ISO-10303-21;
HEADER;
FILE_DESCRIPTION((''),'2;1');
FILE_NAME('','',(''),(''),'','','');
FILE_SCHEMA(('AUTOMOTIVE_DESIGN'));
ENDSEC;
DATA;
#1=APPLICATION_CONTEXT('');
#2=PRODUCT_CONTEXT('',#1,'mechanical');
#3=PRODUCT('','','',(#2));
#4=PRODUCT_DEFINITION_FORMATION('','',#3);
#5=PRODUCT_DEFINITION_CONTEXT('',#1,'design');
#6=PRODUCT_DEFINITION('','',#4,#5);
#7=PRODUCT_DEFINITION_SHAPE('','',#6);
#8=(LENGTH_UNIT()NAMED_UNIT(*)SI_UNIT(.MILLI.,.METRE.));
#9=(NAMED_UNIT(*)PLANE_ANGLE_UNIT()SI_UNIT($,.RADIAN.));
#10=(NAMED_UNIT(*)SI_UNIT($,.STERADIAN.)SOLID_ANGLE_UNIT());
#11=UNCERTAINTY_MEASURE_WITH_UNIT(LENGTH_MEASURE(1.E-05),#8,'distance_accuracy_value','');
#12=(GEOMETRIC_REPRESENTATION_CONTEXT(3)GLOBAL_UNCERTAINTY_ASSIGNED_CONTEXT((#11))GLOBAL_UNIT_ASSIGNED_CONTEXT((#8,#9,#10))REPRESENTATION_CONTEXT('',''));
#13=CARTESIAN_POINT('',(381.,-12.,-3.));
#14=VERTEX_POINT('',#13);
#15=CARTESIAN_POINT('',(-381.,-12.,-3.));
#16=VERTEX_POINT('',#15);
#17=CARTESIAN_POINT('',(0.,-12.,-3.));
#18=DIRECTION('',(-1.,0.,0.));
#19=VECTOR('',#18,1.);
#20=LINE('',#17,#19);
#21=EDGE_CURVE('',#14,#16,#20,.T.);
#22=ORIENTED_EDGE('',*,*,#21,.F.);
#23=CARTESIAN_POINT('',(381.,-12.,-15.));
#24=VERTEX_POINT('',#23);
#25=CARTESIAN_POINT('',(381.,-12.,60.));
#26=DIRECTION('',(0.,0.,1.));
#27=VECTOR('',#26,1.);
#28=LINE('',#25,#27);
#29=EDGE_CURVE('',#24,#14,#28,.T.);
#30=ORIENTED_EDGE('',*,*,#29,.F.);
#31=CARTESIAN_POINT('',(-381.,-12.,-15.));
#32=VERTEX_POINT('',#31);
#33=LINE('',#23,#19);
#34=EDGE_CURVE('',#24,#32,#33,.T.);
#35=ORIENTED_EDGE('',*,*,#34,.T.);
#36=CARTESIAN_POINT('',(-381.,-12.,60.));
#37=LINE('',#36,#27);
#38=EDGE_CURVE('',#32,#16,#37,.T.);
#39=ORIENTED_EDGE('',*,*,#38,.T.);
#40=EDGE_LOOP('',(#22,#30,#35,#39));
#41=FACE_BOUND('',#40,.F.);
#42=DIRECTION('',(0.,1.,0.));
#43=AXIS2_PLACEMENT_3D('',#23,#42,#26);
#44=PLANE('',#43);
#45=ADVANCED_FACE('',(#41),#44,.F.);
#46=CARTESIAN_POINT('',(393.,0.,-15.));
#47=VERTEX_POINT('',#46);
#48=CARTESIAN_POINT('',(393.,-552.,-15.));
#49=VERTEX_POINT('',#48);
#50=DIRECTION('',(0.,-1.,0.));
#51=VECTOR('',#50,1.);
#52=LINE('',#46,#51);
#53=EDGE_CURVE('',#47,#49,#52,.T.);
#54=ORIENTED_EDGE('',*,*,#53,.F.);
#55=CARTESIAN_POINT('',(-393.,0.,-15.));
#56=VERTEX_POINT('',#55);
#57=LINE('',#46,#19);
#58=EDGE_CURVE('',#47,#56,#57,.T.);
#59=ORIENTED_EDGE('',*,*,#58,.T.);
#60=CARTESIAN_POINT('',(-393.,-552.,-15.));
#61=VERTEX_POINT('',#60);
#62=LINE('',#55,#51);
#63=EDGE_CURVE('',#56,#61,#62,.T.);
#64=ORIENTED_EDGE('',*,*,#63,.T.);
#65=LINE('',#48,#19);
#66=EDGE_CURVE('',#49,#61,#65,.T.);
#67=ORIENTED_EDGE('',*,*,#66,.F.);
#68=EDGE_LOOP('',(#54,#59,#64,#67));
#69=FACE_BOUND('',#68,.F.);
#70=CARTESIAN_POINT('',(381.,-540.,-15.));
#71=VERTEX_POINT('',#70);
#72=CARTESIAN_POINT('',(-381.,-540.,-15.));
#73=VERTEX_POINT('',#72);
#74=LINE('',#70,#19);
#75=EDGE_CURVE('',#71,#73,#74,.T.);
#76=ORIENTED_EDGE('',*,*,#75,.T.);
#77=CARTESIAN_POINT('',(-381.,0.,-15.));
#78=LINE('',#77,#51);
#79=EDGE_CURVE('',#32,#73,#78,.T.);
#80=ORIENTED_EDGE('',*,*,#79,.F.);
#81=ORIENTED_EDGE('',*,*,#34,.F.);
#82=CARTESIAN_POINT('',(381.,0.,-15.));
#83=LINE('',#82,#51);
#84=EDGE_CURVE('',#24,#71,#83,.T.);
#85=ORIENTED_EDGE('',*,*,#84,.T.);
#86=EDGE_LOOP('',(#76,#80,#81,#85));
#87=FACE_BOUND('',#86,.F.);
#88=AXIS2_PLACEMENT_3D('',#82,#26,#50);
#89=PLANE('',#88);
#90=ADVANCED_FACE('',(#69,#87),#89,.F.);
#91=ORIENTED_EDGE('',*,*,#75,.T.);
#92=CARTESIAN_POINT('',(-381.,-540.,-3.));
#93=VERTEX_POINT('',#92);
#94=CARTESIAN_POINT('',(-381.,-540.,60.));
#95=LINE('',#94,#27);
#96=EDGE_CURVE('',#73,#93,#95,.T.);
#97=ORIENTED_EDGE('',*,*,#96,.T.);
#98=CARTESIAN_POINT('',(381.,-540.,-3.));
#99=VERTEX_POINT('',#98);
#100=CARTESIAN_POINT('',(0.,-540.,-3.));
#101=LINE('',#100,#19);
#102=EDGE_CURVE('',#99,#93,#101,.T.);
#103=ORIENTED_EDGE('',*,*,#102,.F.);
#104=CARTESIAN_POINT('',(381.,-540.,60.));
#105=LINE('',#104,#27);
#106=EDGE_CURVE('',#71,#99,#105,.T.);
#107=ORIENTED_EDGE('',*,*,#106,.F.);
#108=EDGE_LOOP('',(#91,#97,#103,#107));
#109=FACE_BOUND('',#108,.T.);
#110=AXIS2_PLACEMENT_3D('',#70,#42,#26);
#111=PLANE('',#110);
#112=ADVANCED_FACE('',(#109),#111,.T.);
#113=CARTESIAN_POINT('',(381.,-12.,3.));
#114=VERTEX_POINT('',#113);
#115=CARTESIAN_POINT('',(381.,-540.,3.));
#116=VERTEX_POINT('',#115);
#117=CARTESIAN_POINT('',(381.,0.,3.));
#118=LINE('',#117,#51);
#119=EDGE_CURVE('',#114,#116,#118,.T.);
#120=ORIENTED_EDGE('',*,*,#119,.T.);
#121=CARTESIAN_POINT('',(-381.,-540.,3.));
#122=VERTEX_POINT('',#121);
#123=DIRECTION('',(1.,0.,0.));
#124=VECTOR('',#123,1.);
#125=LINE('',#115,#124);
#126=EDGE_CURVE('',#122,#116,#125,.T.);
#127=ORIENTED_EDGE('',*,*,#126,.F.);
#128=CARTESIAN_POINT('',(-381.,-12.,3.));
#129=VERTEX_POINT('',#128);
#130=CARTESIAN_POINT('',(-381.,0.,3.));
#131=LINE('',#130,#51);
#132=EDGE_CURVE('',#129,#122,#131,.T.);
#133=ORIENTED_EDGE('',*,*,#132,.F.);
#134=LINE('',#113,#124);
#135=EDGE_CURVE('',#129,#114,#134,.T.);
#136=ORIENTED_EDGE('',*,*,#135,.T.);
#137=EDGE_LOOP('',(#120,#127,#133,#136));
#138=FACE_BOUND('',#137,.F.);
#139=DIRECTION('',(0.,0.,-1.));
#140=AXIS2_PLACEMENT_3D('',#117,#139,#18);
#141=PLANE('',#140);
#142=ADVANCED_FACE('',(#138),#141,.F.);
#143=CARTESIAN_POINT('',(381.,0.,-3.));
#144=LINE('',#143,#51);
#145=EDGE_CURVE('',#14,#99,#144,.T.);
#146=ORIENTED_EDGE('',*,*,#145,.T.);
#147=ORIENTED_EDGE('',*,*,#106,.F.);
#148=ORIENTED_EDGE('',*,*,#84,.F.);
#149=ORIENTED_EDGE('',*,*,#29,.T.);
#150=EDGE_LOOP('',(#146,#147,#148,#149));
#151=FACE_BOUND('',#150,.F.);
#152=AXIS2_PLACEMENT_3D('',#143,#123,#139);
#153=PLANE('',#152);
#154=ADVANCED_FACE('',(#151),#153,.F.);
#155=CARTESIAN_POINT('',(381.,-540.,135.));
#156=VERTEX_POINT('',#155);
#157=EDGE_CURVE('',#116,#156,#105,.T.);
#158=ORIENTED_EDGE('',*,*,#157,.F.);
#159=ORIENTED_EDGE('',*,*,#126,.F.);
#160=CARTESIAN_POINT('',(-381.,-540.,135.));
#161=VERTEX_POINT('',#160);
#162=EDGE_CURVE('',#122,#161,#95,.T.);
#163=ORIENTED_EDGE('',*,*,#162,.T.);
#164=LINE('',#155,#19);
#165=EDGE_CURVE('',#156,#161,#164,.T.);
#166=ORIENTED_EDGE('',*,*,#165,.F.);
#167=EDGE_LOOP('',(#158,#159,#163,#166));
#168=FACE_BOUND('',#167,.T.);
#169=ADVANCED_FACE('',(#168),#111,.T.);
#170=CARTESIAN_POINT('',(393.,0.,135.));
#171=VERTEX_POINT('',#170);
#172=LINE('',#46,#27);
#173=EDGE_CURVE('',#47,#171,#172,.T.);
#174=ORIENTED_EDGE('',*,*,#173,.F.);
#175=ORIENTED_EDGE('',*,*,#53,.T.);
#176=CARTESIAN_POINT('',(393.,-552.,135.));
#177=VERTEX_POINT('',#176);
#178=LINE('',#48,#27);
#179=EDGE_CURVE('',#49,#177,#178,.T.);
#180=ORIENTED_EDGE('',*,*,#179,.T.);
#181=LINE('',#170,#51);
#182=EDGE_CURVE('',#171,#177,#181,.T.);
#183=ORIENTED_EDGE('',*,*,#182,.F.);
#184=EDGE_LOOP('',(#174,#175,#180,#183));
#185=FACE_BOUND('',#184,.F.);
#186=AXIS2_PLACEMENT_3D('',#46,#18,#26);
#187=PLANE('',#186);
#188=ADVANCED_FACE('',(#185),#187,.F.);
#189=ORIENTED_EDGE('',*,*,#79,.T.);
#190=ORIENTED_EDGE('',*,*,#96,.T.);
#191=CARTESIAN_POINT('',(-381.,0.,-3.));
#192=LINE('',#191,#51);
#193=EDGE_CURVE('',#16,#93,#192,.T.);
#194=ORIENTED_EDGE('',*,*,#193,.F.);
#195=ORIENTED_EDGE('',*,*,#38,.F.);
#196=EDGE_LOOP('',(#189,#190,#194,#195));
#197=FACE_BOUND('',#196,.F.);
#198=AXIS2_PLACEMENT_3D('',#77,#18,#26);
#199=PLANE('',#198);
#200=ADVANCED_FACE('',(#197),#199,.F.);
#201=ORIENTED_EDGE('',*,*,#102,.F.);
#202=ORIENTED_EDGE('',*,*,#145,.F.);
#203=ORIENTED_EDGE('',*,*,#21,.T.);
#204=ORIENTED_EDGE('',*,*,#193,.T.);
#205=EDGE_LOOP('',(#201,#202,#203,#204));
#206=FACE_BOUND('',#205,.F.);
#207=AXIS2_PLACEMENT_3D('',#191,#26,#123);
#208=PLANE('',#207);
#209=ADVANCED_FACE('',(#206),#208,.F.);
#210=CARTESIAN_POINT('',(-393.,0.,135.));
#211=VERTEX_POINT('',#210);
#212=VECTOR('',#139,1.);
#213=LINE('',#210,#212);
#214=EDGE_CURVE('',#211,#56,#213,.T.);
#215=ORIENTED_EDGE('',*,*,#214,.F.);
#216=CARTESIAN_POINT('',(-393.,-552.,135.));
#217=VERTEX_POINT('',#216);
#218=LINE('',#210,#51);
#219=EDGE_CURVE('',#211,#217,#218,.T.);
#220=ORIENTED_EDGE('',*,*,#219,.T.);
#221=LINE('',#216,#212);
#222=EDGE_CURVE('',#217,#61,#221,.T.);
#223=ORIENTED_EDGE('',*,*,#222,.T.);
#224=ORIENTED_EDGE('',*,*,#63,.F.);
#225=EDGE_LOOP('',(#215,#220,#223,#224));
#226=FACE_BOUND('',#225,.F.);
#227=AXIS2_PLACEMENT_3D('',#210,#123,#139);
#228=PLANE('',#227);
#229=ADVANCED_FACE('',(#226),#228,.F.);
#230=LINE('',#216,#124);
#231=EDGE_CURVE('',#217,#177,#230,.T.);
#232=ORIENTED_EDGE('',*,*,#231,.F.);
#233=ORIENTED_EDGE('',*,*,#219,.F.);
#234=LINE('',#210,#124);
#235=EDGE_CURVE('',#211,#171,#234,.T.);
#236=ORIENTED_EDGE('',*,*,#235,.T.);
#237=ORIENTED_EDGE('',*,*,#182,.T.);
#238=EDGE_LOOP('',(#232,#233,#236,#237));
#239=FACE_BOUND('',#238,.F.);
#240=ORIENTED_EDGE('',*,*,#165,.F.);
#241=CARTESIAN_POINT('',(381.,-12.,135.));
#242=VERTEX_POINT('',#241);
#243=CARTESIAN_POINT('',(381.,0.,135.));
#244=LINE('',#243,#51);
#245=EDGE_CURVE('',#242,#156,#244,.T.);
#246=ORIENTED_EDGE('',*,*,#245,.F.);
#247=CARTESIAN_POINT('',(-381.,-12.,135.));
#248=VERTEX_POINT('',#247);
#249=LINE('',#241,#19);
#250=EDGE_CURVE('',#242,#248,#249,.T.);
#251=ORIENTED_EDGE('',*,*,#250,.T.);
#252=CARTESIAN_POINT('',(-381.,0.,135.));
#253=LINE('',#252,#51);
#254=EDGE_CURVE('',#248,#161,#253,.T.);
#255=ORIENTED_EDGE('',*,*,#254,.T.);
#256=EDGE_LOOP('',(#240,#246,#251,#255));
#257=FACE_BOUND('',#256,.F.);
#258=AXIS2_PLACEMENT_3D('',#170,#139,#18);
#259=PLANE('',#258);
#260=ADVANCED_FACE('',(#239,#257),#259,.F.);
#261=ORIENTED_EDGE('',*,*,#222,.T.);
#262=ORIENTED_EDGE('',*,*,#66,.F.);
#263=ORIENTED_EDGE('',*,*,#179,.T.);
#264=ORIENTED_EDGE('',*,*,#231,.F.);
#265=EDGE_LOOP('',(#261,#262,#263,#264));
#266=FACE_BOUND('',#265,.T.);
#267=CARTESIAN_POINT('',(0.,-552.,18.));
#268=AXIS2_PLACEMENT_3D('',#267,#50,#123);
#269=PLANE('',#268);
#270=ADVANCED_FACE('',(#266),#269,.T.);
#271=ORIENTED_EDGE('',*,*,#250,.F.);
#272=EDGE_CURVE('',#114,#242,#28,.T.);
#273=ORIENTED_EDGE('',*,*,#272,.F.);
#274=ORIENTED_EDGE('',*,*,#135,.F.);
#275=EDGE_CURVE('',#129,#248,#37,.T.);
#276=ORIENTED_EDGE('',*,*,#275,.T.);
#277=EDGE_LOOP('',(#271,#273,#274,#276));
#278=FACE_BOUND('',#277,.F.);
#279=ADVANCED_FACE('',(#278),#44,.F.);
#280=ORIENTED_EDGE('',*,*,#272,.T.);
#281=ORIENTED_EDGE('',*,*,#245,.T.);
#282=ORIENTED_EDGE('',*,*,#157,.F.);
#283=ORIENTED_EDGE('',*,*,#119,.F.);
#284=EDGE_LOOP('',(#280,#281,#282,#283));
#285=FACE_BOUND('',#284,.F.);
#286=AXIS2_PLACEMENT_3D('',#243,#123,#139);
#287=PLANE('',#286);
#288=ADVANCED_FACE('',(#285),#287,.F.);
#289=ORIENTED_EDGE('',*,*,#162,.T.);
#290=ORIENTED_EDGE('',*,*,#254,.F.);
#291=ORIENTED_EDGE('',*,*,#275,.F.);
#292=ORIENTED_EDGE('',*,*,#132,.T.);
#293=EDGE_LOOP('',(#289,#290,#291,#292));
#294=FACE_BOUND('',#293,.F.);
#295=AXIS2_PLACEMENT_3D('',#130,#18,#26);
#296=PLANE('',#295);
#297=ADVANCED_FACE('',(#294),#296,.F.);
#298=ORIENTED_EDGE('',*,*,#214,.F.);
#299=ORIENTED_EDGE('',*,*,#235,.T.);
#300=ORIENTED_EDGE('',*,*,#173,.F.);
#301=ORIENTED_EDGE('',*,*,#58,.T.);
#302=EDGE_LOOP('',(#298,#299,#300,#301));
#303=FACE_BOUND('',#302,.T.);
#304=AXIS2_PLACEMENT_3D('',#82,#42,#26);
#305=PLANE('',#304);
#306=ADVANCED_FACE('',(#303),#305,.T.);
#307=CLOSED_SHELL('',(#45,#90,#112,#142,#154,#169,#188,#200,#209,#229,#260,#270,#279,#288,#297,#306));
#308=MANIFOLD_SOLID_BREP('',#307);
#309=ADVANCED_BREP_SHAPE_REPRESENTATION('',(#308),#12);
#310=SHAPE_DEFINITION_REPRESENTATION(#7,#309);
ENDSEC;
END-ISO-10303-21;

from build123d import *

# Parameters (mm, degrees)
F1_DEPTH = 552
F2_W     = 12
F2_H     = 150
F3_DEPTH = 762


with BuildPart() as f1:
    # F0 (on Front) → F1 (new body)
    with BuildSketch(Plane.XZ):
        Polygon((381, 135), (381, 3), (-381, 3), (-381, 135), (-393, 135), (-393, -15), (-381, -15), (-381, -3), (381, -3), (381, -15), (393, -15), (393, 135), align=None)
    extrude(amount=F1_DEPTH)

    # F2 (on face) → F3 (join, through all)
    with BuildSketch(Plane(origin=(381, 0, 0), x_dir=(0, -1, 0), z_dir=(-1, 0, 0))):
        with Locations((6, 60)):
            Rectangle(F2_W, F2_H)
        with Locations((546, 60)):
            Rectangle(F2_W, F2_H)
    extrude(amount=F3_DEPTH)


solid = f1.part
